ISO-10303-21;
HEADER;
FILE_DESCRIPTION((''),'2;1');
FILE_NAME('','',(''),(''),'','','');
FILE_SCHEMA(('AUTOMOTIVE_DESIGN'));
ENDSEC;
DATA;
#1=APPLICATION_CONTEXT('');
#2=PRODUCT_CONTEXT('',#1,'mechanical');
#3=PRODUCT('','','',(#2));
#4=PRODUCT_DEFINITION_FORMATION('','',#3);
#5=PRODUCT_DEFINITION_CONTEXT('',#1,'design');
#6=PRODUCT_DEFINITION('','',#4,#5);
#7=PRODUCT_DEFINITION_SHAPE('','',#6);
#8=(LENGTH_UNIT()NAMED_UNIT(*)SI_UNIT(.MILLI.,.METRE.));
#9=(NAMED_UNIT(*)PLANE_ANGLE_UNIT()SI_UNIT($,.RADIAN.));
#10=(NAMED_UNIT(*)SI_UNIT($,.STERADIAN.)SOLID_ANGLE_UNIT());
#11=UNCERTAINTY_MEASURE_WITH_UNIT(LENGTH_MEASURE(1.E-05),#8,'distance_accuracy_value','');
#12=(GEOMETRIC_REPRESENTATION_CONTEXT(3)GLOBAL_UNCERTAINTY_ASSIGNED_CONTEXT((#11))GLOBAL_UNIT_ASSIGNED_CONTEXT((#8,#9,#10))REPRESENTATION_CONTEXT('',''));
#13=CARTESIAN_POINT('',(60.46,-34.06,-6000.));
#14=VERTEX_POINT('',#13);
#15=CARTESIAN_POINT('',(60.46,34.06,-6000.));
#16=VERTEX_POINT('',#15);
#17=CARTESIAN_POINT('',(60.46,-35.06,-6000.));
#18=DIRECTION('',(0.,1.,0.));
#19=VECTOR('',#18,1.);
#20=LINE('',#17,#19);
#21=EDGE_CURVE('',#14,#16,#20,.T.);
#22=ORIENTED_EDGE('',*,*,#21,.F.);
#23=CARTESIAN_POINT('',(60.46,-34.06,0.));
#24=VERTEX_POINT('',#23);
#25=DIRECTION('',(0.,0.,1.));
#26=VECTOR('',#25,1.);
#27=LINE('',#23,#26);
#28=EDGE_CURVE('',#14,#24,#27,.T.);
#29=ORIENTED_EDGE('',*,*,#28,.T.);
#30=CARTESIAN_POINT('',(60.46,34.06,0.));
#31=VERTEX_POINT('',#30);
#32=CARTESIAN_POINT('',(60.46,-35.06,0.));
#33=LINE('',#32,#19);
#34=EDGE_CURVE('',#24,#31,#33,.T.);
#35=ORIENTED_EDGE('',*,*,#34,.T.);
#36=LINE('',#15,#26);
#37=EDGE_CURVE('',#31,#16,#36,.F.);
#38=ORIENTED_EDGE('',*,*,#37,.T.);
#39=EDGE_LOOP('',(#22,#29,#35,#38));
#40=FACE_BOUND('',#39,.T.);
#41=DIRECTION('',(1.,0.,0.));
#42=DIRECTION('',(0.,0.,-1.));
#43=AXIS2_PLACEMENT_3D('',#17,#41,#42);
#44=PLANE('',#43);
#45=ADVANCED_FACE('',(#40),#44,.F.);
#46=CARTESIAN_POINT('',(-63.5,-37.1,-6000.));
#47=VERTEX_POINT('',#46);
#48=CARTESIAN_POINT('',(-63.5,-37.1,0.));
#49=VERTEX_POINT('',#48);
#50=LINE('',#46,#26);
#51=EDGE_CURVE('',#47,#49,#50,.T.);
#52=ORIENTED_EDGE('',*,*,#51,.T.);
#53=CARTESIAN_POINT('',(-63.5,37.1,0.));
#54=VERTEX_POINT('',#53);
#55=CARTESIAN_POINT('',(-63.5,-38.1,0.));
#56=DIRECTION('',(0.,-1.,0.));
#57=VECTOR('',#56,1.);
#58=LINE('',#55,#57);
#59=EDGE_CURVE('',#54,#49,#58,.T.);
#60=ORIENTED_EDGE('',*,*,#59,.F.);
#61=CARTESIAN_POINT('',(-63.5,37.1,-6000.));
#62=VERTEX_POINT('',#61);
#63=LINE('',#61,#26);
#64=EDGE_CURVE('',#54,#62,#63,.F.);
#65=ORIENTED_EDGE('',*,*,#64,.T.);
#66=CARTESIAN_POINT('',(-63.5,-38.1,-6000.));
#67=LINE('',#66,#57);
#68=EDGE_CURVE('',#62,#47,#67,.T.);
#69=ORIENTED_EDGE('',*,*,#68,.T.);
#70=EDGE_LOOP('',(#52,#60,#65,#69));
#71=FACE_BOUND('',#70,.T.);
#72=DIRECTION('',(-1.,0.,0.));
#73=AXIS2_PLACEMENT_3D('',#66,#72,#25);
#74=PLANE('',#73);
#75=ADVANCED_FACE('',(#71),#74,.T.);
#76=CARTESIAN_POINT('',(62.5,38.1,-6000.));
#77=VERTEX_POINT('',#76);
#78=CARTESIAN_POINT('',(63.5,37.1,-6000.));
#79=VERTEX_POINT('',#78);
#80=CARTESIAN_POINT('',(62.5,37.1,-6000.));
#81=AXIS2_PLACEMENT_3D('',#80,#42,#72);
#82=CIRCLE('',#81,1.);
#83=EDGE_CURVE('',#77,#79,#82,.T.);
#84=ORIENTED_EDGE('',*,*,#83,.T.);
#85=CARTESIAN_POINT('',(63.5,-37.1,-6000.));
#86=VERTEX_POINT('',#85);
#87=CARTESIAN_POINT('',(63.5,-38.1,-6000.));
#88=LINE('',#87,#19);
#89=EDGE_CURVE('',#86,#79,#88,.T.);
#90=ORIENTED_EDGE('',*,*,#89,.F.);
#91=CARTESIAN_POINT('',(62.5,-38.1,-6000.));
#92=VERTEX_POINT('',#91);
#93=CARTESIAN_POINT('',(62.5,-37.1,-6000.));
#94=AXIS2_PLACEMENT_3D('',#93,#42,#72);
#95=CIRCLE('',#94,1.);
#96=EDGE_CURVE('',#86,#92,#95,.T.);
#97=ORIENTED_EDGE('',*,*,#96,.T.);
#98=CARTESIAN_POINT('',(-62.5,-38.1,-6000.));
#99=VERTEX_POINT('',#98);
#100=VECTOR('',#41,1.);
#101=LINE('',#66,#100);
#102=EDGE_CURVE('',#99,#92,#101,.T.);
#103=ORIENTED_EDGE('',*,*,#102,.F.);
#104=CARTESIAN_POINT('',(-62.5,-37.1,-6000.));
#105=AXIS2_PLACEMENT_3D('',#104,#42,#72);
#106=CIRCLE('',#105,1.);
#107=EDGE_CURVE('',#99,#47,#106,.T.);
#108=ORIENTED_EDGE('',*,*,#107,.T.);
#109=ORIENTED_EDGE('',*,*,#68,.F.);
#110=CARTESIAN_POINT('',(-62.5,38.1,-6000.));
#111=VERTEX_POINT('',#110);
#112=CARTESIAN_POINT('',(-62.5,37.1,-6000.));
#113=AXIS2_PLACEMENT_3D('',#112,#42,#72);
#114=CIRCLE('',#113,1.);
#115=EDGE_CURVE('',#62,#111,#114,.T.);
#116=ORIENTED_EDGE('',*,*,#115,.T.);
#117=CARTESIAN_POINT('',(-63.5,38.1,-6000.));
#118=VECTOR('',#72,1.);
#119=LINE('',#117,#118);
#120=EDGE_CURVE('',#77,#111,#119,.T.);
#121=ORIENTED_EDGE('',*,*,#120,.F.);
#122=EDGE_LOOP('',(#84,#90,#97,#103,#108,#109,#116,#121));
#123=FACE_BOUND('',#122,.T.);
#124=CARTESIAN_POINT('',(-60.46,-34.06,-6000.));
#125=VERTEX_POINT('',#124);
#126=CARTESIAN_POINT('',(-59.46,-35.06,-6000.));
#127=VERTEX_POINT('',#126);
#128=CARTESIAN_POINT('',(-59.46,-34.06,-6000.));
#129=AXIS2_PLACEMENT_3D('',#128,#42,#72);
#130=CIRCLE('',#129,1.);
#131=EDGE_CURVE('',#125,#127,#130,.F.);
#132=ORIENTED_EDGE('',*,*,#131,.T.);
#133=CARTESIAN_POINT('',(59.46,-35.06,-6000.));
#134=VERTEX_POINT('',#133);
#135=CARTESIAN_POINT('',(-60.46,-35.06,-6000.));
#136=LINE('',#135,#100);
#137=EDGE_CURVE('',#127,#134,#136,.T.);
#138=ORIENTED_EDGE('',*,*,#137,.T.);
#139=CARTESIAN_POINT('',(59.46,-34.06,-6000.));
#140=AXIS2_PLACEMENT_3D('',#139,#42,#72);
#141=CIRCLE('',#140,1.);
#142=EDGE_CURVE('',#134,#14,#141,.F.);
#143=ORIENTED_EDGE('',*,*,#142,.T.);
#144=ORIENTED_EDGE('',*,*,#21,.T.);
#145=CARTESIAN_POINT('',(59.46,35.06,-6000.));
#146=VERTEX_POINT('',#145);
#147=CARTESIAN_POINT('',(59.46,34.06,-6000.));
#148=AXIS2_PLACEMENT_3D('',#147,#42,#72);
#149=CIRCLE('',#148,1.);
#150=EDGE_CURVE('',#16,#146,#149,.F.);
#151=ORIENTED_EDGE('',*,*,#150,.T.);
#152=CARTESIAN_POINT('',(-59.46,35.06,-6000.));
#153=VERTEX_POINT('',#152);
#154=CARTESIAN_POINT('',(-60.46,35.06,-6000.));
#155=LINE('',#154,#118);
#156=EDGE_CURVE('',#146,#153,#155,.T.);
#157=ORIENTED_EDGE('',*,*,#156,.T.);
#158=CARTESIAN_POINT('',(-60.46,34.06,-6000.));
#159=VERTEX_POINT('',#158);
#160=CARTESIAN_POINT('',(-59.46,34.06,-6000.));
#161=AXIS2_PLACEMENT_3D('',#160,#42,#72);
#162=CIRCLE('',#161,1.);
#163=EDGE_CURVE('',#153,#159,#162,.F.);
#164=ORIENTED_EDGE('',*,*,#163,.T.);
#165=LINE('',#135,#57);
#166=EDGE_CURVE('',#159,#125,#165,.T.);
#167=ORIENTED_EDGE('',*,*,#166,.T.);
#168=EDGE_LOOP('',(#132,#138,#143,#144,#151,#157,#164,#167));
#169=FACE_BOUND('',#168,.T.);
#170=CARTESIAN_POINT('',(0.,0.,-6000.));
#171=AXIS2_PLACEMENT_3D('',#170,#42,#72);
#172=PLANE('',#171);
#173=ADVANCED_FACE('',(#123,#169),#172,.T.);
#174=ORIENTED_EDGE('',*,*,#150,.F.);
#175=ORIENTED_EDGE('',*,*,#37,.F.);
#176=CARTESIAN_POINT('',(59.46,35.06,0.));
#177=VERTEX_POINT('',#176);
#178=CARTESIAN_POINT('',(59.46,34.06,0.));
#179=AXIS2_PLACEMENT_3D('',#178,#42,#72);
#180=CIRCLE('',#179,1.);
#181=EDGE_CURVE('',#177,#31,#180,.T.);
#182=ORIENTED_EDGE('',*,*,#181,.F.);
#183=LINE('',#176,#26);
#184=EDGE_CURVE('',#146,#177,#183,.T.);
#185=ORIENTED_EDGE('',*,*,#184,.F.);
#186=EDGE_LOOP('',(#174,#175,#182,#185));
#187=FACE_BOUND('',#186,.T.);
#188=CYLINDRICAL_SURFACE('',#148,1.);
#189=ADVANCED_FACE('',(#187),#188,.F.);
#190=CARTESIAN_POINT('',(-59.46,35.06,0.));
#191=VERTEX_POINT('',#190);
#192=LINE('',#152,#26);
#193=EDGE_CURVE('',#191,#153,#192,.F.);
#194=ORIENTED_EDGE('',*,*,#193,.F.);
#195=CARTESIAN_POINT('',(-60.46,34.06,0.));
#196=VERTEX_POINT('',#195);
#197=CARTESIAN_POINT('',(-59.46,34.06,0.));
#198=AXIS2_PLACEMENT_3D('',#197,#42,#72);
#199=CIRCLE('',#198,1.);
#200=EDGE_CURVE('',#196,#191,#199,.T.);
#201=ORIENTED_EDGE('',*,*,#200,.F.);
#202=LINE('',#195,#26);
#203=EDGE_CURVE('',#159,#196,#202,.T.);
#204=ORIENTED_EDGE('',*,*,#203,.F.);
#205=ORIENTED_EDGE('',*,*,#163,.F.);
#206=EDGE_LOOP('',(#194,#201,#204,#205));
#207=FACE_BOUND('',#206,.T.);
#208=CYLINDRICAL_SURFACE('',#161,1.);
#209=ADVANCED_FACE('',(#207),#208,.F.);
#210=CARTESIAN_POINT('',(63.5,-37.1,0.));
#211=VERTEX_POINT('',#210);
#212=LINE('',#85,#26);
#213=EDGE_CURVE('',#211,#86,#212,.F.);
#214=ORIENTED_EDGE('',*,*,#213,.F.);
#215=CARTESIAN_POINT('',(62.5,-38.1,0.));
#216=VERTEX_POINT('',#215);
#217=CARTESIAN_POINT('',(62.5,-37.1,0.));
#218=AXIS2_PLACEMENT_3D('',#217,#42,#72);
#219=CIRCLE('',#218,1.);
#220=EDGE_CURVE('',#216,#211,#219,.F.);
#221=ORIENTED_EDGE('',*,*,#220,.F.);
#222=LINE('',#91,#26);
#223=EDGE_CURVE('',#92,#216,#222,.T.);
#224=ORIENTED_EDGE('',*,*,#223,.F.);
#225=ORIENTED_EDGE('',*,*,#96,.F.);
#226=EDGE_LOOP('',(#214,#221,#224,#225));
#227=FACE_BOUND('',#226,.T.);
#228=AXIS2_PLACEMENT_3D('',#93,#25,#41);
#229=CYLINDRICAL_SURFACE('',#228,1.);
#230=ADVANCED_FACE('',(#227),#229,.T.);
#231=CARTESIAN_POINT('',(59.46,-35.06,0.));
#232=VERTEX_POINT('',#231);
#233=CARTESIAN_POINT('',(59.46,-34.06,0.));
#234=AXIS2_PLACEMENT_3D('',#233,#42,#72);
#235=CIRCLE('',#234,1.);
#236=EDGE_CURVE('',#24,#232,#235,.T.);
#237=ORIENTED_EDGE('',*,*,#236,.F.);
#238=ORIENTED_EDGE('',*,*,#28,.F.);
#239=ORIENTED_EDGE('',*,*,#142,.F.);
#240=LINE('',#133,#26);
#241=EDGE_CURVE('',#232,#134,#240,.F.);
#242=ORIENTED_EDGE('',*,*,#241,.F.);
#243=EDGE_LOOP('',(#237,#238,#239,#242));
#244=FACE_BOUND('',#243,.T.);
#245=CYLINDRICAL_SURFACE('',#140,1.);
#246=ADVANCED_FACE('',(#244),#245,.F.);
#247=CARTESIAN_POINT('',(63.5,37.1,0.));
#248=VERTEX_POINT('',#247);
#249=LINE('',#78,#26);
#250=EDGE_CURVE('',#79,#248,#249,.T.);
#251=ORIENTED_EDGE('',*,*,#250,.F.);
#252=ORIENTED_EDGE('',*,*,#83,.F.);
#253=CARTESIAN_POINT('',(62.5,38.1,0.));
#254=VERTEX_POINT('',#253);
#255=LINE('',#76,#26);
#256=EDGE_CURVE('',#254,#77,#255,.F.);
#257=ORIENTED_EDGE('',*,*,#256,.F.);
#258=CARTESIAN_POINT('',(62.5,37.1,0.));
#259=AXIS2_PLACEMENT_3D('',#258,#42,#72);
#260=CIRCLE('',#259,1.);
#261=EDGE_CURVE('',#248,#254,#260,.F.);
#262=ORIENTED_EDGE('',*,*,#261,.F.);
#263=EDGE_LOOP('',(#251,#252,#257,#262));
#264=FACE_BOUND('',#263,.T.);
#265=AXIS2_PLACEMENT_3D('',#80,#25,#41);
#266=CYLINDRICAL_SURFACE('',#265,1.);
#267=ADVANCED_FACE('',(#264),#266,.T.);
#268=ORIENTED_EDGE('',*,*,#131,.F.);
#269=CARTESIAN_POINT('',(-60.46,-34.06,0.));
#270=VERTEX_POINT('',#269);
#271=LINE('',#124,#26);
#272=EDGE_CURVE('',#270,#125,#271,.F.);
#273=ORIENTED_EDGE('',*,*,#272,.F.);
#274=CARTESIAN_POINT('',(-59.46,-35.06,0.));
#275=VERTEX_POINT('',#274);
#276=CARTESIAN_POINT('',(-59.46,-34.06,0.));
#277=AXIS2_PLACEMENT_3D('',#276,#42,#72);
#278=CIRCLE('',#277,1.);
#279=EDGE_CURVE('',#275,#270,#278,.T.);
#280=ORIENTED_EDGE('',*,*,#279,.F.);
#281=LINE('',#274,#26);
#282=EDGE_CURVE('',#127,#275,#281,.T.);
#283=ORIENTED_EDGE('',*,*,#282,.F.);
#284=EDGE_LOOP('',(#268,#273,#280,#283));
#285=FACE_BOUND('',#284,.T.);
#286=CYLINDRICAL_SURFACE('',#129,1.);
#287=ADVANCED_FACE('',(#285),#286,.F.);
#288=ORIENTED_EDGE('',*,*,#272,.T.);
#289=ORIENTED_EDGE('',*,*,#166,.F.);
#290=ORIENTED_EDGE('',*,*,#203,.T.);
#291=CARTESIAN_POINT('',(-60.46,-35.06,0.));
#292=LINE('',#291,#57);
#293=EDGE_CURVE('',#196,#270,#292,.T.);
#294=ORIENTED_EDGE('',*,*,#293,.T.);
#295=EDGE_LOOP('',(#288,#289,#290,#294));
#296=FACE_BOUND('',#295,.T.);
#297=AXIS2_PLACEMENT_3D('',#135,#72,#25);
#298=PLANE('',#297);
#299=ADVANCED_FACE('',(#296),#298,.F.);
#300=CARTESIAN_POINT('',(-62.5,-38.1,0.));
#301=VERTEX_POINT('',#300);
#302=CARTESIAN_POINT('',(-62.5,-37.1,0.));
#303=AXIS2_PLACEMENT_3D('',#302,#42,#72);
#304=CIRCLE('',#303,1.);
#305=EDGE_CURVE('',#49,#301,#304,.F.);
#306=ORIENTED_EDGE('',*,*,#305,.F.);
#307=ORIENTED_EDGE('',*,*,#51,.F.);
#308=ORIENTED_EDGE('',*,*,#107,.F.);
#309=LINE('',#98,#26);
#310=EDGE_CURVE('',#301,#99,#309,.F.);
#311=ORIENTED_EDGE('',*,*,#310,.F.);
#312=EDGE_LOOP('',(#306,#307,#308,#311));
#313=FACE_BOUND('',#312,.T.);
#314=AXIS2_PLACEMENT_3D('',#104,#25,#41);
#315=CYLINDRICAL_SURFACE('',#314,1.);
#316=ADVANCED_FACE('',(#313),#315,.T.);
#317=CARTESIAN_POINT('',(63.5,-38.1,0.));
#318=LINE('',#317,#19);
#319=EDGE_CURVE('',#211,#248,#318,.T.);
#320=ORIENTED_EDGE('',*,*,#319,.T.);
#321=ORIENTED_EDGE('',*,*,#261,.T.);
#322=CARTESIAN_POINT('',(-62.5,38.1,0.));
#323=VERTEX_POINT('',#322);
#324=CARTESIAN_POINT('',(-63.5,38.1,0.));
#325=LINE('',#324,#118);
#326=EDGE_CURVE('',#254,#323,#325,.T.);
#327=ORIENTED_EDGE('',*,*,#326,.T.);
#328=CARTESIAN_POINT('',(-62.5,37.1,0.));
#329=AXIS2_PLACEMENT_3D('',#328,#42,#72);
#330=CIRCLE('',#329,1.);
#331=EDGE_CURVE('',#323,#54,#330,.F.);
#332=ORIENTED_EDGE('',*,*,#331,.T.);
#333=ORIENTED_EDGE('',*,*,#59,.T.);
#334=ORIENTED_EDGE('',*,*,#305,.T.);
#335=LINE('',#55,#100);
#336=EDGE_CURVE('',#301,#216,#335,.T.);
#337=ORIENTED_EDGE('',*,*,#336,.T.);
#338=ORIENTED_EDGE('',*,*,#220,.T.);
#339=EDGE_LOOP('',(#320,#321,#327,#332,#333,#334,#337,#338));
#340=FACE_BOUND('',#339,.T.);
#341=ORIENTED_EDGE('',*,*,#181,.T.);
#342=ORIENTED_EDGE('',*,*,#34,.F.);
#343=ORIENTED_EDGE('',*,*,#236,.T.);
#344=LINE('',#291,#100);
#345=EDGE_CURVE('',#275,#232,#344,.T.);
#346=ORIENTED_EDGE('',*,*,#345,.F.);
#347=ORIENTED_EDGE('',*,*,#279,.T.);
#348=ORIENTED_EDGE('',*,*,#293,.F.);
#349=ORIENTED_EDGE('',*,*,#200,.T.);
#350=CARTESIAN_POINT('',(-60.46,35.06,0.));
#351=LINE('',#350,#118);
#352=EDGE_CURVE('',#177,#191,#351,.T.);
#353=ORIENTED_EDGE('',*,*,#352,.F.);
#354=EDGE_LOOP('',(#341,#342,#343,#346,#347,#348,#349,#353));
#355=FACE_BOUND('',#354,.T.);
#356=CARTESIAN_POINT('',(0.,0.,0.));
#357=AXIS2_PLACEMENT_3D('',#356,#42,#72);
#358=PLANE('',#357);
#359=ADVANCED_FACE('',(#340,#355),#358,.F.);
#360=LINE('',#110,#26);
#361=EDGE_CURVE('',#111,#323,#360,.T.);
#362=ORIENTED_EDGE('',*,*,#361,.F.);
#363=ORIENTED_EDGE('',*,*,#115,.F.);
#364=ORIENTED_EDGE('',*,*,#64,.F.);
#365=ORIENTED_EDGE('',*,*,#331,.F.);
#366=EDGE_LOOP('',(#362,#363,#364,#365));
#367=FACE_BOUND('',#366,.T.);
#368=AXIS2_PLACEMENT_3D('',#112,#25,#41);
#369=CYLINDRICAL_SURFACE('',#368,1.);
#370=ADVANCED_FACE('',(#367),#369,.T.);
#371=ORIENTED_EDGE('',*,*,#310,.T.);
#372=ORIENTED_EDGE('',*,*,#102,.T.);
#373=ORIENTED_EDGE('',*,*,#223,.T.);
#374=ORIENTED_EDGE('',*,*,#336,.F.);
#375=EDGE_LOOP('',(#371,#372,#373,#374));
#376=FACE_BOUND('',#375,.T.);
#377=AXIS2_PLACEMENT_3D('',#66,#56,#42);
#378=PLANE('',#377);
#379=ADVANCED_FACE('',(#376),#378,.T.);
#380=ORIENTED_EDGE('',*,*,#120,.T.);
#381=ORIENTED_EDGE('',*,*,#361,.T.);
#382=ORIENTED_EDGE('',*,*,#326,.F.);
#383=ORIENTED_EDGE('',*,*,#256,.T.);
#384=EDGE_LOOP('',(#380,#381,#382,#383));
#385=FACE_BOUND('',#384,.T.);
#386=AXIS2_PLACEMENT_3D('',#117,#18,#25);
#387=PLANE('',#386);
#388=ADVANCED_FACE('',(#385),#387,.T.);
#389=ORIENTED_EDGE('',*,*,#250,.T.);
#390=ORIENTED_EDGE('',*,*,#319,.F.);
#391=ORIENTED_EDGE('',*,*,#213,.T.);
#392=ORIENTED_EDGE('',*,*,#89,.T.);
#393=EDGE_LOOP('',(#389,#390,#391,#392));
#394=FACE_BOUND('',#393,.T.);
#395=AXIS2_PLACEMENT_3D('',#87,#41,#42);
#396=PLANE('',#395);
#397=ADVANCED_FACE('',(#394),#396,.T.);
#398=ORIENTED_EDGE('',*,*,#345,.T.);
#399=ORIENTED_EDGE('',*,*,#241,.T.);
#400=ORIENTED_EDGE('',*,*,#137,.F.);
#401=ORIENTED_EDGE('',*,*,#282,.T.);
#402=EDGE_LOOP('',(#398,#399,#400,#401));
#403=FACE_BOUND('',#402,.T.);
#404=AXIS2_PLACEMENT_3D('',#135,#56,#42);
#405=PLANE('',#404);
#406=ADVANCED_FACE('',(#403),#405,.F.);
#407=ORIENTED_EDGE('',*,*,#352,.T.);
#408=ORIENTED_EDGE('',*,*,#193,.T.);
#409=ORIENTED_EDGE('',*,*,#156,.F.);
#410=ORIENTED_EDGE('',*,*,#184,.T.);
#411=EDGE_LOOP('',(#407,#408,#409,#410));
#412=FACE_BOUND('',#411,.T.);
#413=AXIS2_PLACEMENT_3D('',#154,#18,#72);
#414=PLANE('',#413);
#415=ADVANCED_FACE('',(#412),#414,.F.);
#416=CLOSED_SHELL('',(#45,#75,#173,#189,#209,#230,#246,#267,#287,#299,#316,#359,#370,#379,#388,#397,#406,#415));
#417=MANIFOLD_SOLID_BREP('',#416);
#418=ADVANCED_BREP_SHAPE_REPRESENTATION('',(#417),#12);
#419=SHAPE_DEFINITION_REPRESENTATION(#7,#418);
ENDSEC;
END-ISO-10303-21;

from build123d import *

# Parameters (mm, degrees)
CROQUIS1_W              = 127
CROQUIS1_H              = 76.2
CROQUIS1_W_2            = 120.92
CROQUIS1_H_2            = 70.12
SALIENTE_EXTRUIR1_DEPTH = 6000
REDONDEO1_R             = 1


with BuildPart() as part:
    # Croquis1 → Saliente-Extruir1 (new body)
    with BuildSketch(Plane.XY):
        Rectangle(CROQUIS1_W, CROQUIS1_H)
        Rectangle(CROQUIS1_W_2, CROQUIS1_H_2, mode=Mode.SUBTRACT)
    extrude(amount=-SALIENTE_EXTRUIR1_DEPTH)

    # Redondeo1
    redondeo1_edges = [part.edges().sort_by_distance(p)[0] for p in [
        (60.46, -35.06, -3000),
        (-60.46, -35.06, -3000),
        (-60.46, 35.06, -3000),
        (60.46, 35.06, -3000),
        (63.5, -38.1, -3000),
        (-63.5, -38.1, -3000),
        (-63.5, 38.1, -3000),
        (63.5, 38.1, -3000),
    ]]
    fillet(redondeo1_edges, radius=REDONDEO1_R)


solid = part.part
